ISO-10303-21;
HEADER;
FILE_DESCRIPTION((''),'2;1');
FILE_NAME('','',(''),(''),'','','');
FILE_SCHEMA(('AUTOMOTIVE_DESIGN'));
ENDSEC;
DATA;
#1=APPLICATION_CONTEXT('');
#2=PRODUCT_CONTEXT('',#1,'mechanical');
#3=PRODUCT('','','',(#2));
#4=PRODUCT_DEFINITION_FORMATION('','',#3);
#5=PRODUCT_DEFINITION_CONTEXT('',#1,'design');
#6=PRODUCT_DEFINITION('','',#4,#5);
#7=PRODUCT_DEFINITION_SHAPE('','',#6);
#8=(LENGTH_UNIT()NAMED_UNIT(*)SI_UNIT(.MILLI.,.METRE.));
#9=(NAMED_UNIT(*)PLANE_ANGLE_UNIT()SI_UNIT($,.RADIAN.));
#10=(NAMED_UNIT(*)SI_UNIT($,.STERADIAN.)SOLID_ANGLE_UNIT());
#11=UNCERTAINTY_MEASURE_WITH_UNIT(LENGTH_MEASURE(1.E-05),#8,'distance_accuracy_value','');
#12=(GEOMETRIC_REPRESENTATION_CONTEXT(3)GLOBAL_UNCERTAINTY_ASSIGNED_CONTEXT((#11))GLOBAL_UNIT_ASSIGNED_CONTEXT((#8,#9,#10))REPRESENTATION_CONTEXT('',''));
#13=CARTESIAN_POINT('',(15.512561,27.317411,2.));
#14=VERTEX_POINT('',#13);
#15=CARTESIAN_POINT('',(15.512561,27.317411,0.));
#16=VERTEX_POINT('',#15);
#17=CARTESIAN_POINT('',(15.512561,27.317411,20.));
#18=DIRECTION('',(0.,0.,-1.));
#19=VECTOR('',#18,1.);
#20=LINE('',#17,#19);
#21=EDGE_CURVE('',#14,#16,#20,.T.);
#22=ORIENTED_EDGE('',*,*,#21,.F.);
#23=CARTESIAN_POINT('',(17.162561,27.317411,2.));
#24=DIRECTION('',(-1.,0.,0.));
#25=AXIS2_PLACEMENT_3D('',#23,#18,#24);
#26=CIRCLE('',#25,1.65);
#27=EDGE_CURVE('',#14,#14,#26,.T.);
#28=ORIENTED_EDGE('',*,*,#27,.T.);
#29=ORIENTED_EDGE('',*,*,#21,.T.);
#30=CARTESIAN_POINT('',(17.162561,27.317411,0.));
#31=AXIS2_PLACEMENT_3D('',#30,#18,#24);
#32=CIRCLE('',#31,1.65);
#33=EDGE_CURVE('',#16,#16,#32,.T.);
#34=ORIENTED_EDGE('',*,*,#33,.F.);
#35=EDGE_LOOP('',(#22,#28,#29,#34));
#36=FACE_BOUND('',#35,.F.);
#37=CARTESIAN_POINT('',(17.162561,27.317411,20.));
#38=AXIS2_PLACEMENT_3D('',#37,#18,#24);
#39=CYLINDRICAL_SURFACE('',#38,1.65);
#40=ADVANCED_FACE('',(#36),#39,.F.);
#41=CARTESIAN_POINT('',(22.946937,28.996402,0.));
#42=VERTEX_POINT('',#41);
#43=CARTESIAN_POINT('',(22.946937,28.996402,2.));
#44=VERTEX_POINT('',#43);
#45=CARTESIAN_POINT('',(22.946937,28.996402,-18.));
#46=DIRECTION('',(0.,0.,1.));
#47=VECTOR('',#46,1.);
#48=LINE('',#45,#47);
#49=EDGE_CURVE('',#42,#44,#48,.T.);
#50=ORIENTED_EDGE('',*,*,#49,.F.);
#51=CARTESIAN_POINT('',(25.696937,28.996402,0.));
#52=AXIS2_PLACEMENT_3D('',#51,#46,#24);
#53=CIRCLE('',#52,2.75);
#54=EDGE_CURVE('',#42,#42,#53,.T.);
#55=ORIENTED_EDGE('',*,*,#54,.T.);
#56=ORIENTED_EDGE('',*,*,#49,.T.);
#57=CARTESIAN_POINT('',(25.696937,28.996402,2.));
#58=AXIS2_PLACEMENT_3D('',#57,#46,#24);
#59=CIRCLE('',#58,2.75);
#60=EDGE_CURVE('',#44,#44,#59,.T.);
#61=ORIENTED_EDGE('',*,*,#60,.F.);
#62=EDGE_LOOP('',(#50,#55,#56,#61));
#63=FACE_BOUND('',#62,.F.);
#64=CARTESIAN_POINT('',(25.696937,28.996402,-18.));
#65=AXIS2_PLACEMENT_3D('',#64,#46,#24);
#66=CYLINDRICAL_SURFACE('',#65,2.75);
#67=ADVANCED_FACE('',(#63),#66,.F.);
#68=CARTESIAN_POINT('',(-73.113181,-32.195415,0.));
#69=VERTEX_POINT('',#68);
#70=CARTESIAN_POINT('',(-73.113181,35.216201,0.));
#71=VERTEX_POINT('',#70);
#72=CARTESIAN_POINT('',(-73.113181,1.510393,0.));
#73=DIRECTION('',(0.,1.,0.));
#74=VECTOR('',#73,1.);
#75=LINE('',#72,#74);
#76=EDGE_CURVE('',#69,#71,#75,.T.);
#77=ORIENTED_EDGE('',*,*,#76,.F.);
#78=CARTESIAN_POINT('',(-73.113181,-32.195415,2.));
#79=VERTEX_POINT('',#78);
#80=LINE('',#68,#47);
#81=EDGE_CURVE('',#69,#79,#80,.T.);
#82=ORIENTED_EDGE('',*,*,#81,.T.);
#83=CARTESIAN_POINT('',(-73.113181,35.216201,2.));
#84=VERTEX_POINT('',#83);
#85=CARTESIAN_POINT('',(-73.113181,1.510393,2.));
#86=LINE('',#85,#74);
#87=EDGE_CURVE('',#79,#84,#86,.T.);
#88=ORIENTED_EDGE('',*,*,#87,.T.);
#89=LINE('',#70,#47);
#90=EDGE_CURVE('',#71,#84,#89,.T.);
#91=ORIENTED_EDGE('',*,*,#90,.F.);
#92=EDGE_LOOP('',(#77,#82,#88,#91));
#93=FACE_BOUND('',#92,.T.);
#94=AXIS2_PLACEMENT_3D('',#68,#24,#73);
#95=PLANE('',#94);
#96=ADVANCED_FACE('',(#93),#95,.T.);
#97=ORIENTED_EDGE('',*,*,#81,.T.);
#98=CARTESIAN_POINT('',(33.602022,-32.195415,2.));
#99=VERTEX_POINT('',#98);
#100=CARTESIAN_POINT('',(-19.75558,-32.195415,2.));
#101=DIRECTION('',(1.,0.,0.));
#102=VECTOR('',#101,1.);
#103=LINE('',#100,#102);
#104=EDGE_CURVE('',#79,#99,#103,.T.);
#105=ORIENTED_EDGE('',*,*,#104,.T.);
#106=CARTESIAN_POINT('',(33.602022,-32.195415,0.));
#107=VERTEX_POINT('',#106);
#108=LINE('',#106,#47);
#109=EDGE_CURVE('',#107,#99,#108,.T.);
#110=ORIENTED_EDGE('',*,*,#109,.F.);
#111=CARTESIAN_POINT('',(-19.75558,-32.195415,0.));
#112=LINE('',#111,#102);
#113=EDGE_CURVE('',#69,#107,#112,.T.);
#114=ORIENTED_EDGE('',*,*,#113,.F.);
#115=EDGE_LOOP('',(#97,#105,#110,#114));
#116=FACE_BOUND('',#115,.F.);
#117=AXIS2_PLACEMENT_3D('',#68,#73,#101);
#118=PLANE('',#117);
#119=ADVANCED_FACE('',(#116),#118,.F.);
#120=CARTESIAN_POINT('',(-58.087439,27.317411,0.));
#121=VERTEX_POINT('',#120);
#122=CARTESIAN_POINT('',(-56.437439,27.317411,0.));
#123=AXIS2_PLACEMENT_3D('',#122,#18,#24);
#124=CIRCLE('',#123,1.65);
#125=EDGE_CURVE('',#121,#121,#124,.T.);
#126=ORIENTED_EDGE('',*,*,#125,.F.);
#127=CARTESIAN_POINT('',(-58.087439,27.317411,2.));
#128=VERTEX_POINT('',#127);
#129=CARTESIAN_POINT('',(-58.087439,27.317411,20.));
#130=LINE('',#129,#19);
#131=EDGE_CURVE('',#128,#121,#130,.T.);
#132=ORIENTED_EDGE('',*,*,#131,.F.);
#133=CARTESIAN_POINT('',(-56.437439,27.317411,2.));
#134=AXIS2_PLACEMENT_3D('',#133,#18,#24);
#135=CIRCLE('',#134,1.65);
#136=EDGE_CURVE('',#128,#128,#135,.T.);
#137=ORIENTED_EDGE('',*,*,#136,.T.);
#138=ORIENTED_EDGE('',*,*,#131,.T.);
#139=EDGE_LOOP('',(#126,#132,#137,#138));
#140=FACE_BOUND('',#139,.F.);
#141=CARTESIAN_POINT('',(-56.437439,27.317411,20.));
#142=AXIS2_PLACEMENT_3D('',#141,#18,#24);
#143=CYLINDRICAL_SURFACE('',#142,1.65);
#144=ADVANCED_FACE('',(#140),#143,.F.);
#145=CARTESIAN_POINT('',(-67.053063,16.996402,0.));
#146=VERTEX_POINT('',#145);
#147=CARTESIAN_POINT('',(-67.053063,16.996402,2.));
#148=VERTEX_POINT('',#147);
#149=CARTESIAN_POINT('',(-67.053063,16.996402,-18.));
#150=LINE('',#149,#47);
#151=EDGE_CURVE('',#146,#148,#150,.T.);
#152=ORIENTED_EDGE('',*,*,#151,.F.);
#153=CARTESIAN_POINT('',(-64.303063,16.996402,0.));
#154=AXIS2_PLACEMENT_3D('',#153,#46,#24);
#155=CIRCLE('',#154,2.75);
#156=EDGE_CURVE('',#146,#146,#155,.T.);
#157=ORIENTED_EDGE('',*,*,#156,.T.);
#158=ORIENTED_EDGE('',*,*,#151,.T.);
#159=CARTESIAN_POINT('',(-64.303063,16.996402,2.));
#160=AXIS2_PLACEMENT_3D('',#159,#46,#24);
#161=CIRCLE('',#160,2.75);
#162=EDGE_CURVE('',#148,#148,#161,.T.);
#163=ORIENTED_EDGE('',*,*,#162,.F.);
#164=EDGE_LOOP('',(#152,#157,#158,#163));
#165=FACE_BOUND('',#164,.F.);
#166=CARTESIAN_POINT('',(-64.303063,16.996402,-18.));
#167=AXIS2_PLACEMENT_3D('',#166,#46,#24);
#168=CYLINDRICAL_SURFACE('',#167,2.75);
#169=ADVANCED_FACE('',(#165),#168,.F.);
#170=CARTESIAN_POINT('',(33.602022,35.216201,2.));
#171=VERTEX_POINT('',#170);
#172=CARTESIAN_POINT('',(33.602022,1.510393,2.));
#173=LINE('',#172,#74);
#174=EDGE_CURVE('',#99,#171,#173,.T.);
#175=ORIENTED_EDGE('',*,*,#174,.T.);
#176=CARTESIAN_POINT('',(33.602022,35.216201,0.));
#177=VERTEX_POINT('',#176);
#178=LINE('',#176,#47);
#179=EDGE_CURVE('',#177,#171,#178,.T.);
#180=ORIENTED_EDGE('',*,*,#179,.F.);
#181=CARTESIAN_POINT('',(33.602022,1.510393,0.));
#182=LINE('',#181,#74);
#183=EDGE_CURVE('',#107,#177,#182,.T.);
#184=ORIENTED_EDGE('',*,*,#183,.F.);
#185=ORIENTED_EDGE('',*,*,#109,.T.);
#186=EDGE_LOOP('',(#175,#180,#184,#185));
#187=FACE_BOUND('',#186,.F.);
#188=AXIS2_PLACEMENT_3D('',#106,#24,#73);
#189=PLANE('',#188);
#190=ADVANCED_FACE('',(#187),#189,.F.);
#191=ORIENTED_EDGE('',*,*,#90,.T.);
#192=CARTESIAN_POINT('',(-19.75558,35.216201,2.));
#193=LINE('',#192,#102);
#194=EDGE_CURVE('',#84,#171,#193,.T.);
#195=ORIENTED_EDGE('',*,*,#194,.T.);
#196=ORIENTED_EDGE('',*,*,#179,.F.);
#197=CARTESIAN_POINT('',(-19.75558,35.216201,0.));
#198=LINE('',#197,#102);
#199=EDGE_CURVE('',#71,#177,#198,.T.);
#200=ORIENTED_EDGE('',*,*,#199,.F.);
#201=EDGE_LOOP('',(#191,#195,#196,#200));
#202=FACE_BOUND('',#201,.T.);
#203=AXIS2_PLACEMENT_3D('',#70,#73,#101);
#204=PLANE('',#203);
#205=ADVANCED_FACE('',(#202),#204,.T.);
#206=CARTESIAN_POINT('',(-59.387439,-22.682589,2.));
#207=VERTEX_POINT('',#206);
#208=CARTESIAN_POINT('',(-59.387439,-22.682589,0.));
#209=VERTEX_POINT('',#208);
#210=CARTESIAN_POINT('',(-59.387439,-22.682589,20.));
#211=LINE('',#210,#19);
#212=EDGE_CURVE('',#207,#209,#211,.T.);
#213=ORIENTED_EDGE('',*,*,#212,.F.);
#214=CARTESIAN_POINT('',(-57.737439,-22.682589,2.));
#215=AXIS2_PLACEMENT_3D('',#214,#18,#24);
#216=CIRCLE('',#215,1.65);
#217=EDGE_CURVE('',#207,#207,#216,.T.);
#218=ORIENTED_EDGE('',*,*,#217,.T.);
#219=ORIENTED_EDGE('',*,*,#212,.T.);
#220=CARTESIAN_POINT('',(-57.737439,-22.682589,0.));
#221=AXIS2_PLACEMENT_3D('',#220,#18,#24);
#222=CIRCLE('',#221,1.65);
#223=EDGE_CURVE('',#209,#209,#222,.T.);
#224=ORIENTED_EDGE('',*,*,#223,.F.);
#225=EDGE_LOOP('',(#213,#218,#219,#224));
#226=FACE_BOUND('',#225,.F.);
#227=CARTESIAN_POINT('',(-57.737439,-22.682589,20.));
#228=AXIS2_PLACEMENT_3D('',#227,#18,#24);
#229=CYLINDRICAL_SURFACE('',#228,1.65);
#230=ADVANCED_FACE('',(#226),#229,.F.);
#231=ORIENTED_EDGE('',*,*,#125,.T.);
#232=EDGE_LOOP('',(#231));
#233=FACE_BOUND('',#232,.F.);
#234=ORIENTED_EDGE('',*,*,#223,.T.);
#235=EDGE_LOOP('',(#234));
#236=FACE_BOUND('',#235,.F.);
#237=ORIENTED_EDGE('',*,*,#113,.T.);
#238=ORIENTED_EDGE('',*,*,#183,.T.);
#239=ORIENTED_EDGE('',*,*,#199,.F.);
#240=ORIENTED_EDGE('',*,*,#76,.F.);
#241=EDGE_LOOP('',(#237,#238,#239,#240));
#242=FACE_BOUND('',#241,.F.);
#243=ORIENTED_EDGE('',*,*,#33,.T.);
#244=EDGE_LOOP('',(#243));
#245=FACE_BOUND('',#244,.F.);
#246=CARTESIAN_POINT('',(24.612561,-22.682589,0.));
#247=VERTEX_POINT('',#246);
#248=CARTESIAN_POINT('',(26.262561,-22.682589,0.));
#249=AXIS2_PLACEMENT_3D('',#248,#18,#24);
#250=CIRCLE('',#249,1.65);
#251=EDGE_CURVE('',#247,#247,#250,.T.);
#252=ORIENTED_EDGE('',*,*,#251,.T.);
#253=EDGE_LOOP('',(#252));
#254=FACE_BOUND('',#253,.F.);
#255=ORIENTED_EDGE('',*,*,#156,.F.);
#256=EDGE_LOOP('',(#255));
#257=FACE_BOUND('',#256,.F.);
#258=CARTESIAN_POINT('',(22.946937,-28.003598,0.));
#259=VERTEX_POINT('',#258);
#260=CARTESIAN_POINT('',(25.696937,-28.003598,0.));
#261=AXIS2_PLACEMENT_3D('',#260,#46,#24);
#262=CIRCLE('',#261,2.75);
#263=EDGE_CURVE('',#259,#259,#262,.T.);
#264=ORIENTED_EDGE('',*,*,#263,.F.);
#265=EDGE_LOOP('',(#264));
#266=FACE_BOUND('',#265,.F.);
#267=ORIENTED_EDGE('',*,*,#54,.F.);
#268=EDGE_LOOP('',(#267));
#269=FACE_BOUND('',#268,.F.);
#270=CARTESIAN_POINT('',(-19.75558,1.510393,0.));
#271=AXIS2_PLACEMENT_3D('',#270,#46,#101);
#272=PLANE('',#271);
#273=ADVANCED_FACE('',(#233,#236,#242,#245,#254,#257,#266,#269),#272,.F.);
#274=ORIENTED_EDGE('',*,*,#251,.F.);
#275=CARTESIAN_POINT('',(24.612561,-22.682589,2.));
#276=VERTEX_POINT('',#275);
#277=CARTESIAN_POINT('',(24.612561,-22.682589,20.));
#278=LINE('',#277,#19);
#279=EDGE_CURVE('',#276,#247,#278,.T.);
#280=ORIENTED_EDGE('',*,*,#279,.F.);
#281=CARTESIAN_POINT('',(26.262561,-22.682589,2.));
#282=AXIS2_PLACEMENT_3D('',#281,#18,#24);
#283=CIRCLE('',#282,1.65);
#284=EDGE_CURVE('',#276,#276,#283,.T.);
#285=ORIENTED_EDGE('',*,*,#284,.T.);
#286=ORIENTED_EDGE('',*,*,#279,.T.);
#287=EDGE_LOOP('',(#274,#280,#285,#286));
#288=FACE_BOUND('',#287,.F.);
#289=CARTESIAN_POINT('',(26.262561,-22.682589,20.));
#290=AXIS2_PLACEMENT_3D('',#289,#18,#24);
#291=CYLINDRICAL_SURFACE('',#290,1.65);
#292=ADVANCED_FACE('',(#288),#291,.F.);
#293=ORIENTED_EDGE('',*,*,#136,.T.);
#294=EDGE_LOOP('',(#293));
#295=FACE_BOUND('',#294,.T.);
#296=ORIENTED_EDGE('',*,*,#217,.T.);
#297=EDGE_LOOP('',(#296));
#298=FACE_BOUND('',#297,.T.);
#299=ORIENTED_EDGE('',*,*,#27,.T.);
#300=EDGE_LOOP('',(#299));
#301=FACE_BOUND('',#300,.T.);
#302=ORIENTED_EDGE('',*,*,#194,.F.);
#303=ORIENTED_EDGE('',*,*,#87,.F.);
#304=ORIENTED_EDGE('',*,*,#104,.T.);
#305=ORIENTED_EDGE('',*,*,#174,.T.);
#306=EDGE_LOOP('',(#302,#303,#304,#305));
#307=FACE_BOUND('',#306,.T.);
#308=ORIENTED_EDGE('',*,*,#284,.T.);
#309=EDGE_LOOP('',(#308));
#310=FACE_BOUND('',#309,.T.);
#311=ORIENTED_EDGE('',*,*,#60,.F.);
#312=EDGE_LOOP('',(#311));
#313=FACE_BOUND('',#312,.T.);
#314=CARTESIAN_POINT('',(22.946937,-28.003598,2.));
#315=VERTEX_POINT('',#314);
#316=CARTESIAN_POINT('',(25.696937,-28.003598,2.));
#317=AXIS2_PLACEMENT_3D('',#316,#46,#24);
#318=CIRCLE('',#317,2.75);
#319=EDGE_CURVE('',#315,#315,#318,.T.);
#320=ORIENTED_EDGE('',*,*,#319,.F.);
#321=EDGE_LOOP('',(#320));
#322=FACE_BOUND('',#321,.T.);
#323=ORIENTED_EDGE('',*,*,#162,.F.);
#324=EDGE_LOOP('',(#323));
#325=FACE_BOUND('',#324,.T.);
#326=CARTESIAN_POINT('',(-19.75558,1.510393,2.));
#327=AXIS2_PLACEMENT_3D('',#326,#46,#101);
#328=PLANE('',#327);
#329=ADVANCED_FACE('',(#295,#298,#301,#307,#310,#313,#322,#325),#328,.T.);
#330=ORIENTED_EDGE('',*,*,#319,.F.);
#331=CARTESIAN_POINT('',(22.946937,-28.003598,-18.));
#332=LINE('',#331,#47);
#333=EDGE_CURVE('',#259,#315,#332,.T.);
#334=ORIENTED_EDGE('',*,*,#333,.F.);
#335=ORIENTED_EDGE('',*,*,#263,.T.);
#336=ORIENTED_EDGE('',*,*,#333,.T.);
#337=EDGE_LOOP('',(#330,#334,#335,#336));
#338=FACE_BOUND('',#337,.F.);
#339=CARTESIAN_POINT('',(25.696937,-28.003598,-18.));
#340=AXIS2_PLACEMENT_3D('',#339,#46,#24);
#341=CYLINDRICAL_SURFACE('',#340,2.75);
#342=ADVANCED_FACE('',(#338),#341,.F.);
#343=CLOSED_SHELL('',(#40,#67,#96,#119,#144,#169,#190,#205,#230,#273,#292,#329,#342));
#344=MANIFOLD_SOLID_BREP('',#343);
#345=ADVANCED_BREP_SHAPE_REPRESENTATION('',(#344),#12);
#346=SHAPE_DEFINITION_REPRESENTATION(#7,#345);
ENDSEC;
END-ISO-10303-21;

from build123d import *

# Parameters (mm, degrees)
F0_W     = 106.7152023315
F0_H     = 67.4116164446
F1_DEPTH = 2
F2_D     = 5.5
F2_DEPTH = 18
F2_TIP   = 1.6523667023
F4_D     = 3.3
F4_DEPTH = 18
F4_TIP   = 0.9914200214


with BuildPart() as f1:
    # F0 (on Top) → F1 (new body)
    with BuildSketch(Plane.XY):
        with Locations((-19.7555795312, 1.5103928745)):
            Rectangle(F0_W, F0_H)
    extrude(amount=F1_DEPTH)

    # F2
    with Locations(Plane(origin=(0, 0, 0), x_dir=(1, 0, 0), z_dir=(0, 0, -1))):
        with Locations((-64.3030628562, -16.9964022934), (25.6969371438, -28.9964022934), (25.6969371438, 28.0035977066)):
            Hole(F2_D / 2, depth=F2_DEPTH)
            with Locations((0, 0, -(F2_DEPTH + F2_TIP / 2))):  # 118° drill point
                Cone(0, F2_D / 2, F2_TIP, mode=Mode.SUBTRACT)

    # F4
    with Locations(Plane.XY.offset(2)):
        with Locations((-56.4374391407, 27.3174114525), (17.1625608593, 27.3174114525), (-57.7374391407, -22.6825885475), (26.2625608593, -22.6825885475)):
            Hole(F4_D / 2, depth=F4_DEPTH)
            with Locations((0, 0, -(F4_DEPTH + F4_TIP / 2))):  # 118° drill point
                Cone(0, F4_D / 2, F4_TIP, mode=Mode.SUBTRACT)


solid = f1.part
